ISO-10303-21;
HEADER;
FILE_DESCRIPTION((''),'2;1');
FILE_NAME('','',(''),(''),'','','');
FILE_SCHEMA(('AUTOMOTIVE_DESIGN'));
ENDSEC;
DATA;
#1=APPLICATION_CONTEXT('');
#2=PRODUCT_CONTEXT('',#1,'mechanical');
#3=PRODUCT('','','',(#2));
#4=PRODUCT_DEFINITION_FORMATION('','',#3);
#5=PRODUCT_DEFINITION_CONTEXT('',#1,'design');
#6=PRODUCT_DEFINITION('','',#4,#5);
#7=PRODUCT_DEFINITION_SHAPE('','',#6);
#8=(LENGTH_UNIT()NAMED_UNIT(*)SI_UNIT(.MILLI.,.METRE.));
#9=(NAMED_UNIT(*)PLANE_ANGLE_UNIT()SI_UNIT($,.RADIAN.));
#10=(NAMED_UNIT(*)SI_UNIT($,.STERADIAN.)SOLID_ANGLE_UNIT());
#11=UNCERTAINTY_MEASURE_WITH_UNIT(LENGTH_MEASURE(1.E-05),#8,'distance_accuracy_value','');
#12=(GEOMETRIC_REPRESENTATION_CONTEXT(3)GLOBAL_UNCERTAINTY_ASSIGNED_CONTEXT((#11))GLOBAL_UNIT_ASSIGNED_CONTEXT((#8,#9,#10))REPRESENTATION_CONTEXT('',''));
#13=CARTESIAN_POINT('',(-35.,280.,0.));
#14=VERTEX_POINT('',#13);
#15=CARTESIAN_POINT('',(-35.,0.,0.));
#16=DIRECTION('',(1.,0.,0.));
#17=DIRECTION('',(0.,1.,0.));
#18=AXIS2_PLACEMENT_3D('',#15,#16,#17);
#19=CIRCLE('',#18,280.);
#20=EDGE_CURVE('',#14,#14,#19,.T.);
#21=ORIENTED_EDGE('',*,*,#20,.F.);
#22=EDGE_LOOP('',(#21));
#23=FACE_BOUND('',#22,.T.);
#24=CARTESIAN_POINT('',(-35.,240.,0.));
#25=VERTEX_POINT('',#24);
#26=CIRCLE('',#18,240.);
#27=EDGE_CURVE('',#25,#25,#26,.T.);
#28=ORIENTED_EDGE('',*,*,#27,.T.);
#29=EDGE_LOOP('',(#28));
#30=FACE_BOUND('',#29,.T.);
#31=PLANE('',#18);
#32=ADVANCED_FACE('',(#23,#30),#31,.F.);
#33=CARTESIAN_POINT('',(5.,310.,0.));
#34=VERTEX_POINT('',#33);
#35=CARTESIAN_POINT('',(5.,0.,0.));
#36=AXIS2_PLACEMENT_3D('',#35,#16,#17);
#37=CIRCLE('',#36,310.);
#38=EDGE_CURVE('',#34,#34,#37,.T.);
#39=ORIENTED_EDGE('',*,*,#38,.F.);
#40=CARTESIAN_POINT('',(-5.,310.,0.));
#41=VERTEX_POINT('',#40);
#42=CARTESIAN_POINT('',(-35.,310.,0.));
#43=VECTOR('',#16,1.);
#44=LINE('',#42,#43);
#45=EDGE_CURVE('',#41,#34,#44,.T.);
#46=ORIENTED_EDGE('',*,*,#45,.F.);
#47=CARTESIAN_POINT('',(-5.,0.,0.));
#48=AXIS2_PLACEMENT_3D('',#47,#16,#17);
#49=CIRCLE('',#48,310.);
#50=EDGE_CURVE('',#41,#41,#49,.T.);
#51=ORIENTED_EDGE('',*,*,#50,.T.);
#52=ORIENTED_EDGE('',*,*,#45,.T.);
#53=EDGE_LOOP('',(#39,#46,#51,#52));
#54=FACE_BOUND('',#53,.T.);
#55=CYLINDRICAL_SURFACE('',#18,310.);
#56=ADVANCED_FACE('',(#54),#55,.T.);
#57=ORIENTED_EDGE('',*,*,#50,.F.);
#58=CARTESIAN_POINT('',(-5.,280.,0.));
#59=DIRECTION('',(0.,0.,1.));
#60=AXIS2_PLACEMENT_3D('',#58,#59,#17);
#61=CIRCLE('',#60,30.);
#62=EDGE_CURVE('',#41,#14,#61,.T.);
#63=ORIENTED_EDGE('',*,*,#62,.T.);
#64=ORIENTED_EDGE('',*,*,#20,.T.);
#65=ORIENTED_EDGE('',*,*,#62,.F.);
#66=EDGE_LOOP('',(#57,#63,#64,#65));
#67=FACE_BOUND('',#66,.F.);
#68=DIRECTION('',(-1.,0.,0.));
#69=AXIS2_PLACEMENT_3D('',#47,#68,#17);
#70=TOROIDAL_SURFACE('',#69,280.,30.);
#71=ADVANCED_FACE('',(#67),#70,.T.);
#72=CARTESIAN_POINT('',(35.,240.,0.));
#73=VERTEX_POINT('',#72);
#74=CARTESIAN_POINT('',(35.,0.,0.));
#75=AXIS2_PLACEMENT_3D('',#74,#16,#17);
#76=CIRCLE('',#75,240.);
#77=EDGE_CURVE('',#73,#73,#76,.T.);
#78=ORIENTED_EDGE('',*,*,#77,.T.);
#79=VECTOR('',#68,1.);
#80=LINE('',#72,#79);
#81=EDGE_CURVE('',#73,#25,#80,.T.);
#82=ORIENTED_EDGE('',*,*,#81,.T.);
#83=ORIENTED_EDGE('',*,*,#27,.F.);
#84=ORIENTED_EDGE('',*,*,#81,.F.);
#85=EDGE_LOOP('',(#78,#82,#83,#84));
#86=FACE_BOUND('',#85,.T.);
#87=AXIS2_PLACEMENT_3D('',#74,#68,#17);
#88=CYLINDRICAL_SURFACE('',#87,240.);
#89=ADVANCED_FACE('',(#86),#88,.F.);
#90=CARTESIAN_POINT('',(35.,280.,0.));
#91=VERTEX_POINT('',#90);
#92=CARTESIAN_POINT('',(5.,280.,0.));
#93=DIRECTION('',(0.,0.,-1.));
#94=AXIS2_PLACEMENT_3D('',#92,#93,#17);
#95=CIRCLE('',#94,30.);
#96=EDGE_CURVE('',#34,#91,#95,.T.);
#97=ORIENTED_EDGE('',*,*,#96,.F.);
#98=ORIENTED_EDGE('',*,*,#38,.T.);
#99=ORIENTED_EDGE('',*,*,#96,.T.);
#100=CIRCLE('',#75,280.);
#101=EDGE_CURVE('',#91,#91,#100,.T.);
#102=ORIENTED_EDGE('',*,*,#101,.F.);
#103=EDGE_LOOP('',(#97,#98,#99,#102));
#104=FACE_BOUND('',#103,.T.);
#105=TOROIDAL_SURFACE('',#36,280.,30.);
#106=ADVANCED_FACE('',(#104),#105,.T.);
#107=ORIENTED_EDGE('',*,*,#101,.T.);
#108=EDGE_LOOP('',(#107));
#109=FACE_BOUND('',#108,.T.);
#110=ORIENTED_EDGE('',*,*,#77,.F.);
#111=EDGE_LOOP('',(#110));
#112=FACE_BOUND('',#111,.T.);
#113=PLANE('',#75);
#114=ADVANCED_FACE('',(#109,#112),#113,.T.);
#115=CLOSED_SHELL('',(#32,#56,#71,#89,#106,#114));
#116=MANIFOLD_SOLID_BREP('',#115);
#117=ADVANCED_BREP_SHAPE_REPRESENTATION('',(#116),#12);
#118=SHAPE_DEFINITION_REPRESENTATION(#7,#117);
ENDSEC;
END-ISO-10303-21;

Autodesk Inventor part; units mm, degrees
ref_plane "YZ Plane" through (0, 0, 0) normal (1, 0, 0) x (0, 1, 0)
ref_plane "XZ Plane" through (0, 0, 0) normal (0, 1, 0) x (-1, 0, 0)
ref_plane "XY Plane" through (0, 0, 0) normal (0, 0, 1) x (1, 0, 0)
sketch "Sketch5" plane through (0, 0, 0) normal (0, 0, 1) x (1, 0, 0)
  line L0 (-35, 310) -> (35, 310)
  line L1 (35, 310) -> (35, 240)
  line L2 (35, 240) -> (-35, 240)
  line L3 (-35, 240) -> (-35, 310)
  line L4 (-35, 310) -> (35, 240) construction
  line L5 (35, 310) -> (-35, 240) construction
  line L6 (-49, 0) -> (49, 0) projected
  point P0 (0, 0)
  point P1 (0, 310)
  point P2 (0, 275)
  point P3 (0, 310)
  dimension "d15" = 310
  dimension "d16" = 70
  dimension "d17" = 70
revolve "Revolution3" add sketch "Sketch5" angle 360 about axis through (-10, 0, 0) along (1, 0, 0)
fillet "Fillet1" radius 30 2 edges at (35, -310, 0) (-35, -310, 0)
properties part number "RuedaTrasera" material "Rubber"
